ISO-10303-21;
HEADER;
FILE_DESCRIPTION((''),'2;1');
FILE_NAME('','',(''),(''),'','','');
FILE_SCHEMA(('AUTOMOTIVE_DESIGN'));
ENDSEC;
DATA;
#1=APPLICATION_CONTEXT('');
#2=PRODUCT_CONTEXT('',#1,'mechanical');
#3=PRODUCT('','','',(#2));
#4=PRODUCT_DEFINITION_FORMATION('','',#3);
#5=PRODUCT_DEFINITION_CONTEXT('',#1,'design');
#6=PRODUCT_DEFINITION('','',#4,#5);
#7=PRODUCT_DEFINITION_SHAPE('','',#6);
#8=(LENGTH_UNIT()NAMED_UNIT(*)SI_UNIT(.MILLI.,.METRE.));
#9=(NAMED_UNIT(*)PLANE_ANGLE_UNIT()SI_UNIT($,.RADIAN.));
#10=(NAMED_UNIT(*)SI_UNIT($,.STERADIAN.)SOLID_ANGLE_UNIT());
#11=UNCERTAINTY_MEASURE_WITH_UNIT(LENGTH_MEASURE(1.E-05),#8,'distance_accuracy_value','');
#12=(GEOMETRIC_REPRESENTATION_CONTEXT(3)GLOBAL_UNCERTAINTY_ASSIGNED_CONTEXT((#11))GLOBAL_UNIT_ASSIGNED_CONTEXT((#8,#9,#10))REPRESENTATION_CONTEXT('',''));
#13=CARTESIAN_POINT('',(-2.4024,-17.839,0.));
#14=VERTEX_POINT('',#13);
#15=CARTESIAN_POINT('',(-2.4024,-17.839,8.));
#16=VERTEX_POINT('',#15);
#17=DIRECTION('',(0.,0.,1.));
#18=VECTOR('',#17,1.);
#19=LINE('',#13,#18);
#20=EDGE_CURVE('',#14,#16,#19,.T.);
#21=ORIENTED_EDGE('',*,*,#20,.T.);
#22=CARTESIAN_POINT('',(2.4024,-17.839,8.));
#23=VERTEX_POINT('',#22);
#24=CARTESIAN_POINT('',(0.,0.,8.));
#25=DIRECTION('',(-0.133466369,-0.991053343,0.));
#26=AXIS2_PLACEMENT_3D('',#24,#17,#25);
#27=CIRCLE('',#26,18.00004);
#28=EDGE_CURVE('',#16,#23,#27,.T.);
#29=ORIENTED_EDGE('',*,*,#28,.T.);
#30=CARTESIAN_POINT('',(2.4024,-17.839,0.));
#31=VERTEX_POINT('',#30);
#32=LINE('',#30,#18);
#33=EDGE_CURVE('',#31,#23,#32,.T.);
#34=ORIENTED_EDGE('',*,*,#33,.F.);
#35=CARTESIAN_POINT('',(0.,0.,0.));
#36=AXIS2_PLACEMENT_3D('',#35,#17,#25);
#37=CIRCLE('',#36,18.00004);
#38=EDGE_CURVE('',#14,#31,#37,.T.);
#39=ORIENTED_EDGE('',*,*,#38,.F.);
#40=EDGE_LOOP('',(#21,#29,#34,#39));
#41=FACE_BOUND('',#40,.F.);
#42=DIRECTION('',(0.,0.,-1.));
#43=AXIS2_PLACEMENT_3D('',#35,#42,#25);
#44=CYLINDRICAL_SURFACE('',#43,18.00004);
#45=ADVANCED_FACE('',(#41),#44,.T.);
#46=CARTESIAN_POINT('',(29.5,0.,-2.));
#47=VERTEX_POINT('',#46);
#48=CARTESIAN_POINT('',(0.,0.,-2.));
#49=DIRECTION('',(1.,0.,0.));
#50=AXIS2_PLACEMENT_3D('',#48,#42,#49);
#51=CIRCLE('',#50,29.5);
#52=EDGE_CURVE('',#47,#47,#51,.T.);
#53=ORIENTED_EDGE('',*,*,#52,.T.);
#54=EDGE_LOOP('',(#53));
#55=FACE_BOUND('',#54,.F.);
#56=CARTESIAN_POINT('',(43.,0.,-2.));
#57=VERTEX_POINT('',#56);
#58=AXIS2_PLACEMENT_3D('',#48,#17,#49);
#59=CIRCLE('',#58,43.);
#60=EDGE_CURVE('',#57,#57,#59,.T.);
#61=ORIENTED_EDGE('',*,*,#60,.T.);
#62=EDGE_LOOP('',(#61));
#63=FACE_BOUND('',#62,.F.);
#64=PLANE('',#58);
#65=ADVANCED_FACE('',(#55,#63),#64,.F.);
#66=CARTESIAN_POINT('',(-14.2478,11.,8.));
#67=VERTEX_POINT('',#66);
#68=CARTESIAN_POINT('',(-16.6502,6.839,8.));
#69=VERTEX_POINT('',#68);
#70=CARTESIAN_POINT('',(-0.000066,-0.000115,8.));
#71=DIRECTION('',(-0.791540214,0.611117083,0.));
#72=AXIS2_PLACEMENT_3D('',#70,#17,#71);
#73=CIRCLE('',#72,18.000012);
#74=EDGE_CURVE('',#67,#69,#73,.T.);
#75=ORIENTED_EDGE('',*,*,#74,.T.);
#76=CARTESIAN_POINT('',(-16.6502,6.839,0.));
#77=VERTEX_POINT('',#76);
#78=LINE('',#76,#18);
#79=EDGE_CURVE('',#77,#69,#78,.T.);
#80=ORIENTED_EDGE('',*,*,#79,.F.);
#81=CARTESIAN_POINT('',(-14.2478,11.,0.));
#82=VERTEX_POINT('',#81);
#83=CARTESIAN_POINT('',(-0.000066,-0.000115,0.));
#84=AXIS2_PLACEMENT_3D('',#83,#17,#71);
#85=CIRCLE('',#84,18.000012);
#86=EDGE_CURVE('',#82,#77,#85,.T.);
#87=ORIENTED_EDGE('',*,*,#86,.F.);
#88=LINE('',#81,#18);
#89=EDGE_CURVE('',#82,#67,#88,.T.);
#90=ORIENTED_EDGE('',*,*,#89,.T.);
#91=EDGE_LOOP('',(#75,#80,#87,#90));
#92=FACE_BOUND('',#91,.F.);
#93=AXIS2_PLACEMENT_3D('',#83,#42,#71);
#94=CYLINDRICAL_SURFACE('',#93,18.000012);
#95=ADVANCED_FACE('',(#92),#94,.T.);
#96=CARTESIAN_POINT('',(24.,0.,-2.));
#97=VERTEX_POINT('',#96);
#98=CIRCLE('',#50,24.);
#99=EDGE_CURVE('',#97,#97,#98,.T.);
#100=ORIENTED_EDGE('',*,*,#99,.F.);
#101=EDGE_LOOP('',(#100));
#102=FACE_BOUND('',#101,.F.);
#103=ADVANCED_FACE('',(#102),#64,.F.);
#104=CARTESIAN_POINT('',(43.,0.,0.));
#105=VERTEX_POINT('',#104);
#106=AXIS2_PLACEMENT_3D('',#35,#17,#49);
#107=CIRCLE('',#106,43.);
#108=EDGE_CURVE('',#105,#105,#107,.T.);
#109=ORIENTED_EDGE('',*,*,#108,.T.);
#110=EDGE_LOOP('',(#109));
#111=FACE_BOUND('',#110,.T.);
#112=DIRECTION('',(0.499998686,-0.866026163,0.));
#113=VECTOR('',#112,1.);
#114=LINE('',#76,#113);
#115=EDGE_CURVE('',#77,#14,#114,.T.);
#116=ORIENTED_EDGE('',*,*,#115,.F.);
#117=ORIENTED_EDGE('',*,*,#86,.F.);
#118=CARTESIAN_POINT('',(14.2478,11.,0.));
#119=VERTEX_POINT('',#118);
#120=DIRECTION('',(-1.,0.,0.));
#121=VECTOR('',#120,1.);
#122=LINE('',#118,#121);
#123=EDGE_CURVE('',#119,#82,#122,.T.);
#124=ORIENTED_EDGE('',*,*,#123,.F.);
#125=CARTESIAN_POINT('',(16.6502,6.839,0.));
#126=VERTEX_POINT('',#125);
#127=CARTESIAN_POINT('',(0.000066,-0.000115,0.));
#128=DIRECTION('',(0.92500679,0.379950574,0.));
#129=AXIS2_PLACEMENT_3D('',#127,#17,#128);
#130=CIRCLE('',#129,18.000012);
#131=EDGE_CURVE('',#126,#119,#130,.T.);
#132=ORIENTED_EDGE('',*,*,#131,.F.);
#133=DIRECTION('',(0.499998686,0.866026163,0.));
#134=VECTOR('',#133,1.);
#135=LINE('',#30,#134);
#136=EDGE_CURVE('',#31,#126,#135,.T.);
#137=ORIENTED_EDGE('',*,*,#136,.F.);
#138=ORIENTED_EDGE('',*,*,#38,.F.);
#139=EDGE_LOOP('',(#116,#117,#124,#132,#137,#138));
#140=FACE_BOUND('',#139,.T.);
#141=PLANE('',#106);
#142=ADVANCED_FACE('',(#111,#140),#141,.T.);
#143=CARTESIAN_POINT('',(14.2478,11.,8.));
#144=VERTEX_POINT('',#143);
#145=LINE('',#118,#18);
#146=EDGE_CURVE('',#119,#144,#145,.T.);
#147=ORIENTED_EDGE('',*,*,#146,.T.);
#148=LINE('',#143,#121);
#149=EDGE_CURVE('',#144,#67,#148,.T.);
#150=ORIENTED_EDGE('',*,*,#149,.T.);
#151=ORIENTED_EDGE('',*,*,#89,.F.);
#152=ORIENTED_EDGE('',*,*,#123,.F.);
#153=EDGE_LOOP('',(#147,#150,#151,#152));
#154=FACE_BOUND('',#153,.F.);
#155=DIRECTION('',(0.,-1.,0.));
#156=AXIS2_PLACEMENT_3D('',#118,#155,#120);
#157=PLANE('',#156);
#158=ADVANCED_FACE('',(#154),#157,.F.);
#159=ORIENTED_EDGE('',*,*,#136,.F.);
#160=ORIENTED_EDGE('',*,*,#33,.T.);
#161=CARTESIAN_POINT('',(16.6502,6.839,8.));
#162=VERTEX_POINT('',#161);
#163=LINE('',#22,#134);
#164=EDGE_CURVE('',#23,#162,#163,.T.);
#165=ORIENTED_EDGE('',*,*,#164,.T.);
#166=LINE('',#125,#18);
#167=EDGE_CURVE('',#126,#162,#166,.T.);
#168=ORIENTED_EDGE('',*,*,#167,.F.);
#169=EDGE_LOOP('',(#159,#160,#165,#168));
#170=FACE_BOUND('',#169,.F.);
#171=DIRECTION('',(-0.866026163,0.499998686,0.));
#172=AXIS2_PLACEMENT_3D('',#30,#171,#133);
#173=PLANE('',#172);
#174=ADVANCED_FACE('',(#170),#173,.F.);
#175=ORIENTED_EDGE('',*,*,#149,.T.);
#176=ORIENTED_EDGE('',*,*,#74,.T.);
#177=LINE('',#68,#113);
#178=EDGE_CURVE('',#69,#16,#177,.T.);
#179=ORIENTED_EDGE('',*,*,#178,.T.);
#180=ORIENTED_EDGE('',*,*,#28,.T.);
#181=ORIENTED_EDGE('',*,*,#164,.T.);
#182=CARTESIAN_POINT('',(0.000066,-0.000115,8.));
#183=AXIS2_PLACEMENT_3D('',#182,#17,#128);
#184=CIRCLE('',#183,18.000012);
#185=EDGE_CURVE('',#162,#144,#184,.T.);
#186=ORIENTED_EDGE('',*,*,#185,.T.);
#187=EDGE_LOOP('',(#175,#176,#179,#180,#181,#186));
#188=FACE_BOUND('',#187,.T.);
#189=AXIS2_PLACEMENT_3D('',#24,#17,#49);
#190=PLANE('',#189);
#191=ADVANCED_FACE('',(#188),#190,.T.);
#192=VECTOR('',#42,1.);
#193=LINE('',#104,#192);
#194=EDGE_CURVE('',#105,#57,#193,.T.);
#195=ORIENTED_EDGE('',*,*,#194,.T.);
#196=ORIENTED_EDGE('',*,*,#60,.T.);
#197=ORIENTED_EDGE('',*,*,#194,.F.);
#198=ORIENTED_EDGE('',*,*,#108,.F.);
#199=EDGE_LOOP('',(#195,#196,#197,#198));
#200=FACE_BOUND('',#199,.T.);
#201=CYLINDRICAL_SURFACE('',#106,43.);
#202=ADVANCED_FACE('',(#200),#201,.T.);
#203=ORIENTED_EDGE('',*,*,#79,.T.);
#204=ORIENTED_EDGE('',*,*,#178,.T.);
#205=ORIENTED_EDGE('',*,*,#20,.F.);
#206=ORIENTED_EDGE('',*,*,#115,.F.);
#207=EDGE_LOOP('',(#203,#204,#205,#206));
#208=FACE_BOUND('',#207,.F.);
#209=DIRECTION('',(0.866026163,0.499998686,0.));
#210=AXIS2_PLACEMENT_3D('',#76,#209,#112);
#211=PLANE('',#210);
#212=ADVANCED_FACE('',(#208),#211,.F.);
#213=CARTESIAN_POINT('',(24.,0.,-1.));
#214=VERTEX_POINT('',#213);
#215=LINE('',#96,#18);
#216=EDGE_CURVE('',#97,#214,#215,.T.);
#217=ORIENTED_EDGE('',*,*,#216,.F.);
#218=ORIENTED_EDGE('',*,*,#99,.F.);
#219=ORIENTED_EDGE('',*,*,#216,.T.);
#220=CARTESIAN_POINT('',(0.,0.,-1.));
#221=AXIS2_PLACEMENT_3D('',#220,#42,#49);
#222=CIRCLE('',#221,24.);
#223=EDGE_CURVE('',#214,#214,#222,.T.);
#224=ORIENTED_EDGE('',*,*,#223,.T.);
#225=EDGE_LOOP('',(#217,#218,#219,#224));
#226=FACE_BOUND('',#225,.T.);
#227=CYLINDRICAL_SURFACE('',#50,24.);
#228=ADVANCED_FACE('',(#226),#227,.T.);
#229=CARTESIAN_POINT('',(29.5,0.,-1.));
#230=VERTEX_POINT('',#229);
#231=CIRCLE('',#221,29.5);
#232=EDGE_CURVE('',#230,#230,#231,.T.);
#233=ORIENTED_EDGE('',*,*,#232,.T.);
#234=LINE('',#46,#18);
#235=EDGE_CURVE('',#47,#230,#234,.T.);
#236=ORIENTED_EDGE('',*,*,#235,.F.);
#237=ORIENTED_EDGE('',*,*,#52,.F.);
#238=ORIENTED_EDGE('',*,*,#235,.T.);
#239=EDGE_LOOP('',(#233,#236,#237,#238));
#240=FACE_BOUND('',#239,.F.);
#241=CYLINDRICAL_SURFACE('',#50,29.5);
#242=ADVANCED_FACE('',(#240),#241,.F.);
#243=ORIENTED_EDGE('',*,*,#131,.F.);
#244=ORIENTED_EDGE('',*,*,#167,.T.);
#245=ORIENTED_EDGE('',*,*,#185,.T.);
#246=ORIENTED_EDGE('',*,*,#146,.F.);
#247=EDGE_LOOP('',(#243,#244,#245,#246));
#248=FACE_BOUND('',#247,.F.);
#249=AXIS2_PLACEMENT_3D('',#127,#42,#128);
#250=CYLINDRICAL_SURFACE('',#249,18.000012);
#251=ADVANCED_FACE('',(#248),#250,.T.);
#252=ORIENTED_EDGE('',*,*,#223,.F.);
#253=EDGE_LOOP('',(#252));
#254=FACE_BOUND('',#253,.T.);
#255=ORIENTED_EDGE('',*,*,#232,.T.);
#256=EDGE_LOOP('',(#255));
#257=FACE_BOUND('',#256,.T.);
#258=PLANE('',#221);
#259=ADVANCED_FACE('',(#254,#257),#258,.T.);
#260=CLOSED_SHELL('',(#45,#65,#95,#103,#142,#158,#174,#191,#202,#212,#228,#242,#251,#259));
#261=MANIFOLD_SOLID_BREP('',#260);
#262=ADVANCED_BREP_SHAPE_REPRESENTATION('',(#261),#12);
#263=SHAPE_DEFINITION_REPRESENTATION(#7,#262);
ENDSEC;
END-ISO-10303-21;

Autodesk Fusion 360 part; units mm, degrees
sketch "草图1" plane through (0, 0, 0) normal (0, 0, 1) x (1, 0, 0)
  arc A0 (-2.4024, -17.839) -> (2.4024, -17.839) centre (0, 0) ccw
  line L0 (0, 0) -> (0, -48) construction
  line L1 (14.2478, 11) -> (-14.2478, 11)
  line L2 (2.4024, -17.839) -> (16.6502, 6.839)
  arc A1 (-14.2478, 11) -> (-16.6502, 6.839) centre (0, 0) ccw
  line L3 (-16.6502, 6.839) -> (-2.4024, -17.839)
  arc A2 (16.6502, 6.839) -> (14.2478, 11) centre (0, 0) ccw
  circle A3 centre (0, 0) radius 43
extrude "拉伸1" add sketch "草图1" against normal blind 2 contours A0 L1 L2 A1 L3 A2 | A3 makes body 1
extrude "拉伸2" add sketch "草图1" along normal blind 8 contours A0 L1 L2 A1 L3 A2 bodies 1
copy_body "实体->零部件1" bodies 1 removing the originals makes body 2 in component "亚克力2"
sketch "草图2" plane through (0, 0, -2) normal (0, 0, -1) x (1, 0, 0)
  circle A0 centre (0, 0) radius 43
  circle A1 centre (0, 0) radius 29.5
  circle A2 centre (0, 0) radius 24
  dimension "d11" = 59
  dimension "d12" = 48
extrude "拉伸1'" cut sketch "草图2" against normal blind 1 contours A1 bodies 2 in component "亚克力2"
component "亚克力2" placed x (1, 0, 0) y (0, 1, 0) z (0, 0, 1) at (0, 0, 0)
